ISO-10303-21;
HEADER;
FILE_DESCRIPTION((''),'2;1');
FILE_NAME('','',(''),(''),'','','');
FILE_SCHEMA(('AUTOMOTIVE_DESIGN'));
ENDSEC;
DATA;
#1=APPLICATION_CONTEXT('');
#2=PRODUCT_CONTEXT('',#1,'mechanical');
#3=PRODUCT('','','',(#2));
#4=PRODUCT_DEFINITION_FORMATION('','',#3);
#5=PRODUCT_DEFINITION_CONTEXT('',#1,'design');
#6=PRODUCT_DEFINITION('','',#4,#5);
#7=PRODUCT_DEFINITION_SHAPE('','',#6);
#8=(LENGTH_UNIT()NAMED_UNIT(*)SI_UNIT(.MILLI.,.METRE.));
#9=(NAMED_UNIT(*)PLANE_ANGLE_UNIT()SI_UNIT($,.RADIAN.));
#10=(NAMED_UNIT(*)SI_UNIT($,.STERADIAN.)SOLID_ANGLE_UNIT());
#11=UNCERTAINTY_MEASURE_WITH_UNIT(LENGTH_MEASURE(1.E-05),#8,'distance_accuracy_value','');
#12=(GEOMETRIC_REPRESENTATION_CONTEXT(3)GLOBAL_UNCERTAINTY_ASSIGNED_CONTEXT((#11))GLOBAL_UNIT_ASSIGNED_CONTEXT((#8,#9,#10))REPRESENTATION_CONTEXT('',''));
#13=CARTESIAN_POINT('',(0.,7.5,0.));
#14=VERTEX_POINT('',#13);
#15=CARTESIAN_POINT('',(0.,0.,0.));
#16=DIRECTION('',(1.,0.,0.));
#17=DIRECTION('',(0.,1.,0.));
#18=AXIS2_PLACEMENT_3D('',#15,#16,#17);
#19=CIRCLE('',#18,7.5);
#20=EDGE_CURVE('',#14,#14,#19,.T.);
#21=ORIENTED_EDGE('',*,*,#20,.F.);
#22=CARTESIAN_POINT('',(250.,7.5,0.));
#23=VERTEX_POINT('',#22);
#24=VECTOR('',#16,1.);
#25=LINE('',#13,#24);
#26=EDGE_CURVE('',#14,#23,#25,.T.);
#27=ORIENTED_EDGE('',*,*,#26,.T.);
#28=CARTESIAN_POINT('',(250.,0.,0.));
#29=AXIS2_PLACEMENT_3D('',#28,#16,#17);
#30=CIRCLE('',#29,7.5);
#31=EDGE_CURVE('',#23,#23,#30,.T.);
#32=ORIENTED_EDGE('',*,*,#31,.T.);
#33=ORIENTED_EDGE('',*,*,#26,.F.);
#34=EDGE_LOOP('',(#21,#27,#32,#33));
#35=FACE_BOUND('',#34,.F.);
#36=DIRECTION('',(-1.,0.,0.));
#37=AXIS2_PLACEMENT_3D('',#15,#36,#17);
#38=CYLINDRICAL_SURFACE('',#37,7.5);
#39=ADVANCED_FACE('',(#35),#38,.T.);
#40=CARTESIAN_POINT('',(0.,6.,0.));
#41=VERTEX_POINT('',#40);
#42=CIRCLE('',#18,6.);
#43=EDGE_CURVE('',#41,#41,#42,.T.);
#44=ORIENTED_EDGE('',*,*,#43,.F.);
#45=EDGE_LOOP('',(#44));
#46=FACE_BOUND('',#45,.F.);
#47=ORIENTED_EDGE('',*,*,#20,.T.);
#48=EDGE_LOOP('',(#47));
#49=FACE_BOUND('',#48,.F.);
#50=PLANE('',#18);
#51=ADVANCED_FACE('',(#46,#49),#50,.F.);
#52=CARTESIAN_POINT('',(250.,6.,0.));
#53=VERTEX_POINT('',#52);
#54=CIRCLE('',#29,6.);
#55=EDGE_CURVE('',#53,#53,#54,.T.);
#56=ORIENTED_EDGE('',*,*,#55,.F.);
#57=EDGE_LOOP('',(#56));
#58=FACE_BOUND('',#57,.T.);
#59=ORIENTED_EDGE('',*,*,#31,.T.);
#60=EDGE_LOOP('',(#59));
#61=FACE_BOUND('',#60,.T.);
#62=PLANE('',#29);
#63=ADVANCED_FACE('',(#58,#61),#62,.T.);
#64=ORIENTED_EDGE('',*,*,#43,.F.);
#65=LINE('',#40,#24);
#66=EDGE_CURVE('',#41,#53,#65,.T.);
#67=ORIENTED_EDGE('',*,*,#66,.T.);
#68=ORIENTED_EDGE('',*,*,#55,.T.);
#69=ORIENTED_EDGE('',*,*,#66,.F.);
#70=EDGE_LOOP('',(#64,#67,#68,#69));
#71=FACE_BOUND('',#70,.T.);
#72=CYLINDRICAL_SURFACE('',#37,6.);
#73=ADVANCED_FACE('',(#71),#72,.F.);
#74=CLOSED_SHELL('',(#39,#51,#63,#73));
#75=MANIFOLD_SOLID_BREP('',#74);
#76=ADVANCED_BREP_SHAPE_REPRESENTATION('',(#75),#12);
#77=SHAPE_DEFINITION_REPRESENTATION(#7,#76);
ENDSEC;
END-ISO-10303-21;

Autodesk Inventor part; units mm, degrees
ref_plane "YZ Plane" through (0, 0, 0) normal (1, 0, 0) x (0, 1, 0)
sketch "Sketch1" plane through (0, 0, 0) normal (1, 0, 0) x (0, 1, 0)
  circle A0 centre (0, 0) radius 7.5
  circle A1 centre (0, 0) radius 6
  dimension "d0" = 15
  dimension "d1" = 1.5
extrude "Extrusion1" add sketch "Sketch1" along normal blind 250
ref_plane "Work Plane1" through (225.6, 0, 0) normal (1, 0, 0) x (0, 0, -1)
ref_plane "Work Plane2" through (24.4, 0, 0) normal (-1, 0, 0) x (0, 0, 1)
equation "\"d0\" = OD"
equation "\"d1\" = t"
equation "\"d2\" = L"
equation "\"OD\" = 15"
equation "\"t\" = 1.5"
equation "\"L\" = PL"
equation "\"ID\" = 12"
equation "\"PL\" = 250"
equation "\"D\" = 24.4"
equation "\"d4\" = -D"
equation "\"d5\" = -D"
equation "\"Size_Designation\" = 1.2345"
properties part number "DIN 2462 Tube 15 x 1.5 - 250" material "Stainless Steel"
